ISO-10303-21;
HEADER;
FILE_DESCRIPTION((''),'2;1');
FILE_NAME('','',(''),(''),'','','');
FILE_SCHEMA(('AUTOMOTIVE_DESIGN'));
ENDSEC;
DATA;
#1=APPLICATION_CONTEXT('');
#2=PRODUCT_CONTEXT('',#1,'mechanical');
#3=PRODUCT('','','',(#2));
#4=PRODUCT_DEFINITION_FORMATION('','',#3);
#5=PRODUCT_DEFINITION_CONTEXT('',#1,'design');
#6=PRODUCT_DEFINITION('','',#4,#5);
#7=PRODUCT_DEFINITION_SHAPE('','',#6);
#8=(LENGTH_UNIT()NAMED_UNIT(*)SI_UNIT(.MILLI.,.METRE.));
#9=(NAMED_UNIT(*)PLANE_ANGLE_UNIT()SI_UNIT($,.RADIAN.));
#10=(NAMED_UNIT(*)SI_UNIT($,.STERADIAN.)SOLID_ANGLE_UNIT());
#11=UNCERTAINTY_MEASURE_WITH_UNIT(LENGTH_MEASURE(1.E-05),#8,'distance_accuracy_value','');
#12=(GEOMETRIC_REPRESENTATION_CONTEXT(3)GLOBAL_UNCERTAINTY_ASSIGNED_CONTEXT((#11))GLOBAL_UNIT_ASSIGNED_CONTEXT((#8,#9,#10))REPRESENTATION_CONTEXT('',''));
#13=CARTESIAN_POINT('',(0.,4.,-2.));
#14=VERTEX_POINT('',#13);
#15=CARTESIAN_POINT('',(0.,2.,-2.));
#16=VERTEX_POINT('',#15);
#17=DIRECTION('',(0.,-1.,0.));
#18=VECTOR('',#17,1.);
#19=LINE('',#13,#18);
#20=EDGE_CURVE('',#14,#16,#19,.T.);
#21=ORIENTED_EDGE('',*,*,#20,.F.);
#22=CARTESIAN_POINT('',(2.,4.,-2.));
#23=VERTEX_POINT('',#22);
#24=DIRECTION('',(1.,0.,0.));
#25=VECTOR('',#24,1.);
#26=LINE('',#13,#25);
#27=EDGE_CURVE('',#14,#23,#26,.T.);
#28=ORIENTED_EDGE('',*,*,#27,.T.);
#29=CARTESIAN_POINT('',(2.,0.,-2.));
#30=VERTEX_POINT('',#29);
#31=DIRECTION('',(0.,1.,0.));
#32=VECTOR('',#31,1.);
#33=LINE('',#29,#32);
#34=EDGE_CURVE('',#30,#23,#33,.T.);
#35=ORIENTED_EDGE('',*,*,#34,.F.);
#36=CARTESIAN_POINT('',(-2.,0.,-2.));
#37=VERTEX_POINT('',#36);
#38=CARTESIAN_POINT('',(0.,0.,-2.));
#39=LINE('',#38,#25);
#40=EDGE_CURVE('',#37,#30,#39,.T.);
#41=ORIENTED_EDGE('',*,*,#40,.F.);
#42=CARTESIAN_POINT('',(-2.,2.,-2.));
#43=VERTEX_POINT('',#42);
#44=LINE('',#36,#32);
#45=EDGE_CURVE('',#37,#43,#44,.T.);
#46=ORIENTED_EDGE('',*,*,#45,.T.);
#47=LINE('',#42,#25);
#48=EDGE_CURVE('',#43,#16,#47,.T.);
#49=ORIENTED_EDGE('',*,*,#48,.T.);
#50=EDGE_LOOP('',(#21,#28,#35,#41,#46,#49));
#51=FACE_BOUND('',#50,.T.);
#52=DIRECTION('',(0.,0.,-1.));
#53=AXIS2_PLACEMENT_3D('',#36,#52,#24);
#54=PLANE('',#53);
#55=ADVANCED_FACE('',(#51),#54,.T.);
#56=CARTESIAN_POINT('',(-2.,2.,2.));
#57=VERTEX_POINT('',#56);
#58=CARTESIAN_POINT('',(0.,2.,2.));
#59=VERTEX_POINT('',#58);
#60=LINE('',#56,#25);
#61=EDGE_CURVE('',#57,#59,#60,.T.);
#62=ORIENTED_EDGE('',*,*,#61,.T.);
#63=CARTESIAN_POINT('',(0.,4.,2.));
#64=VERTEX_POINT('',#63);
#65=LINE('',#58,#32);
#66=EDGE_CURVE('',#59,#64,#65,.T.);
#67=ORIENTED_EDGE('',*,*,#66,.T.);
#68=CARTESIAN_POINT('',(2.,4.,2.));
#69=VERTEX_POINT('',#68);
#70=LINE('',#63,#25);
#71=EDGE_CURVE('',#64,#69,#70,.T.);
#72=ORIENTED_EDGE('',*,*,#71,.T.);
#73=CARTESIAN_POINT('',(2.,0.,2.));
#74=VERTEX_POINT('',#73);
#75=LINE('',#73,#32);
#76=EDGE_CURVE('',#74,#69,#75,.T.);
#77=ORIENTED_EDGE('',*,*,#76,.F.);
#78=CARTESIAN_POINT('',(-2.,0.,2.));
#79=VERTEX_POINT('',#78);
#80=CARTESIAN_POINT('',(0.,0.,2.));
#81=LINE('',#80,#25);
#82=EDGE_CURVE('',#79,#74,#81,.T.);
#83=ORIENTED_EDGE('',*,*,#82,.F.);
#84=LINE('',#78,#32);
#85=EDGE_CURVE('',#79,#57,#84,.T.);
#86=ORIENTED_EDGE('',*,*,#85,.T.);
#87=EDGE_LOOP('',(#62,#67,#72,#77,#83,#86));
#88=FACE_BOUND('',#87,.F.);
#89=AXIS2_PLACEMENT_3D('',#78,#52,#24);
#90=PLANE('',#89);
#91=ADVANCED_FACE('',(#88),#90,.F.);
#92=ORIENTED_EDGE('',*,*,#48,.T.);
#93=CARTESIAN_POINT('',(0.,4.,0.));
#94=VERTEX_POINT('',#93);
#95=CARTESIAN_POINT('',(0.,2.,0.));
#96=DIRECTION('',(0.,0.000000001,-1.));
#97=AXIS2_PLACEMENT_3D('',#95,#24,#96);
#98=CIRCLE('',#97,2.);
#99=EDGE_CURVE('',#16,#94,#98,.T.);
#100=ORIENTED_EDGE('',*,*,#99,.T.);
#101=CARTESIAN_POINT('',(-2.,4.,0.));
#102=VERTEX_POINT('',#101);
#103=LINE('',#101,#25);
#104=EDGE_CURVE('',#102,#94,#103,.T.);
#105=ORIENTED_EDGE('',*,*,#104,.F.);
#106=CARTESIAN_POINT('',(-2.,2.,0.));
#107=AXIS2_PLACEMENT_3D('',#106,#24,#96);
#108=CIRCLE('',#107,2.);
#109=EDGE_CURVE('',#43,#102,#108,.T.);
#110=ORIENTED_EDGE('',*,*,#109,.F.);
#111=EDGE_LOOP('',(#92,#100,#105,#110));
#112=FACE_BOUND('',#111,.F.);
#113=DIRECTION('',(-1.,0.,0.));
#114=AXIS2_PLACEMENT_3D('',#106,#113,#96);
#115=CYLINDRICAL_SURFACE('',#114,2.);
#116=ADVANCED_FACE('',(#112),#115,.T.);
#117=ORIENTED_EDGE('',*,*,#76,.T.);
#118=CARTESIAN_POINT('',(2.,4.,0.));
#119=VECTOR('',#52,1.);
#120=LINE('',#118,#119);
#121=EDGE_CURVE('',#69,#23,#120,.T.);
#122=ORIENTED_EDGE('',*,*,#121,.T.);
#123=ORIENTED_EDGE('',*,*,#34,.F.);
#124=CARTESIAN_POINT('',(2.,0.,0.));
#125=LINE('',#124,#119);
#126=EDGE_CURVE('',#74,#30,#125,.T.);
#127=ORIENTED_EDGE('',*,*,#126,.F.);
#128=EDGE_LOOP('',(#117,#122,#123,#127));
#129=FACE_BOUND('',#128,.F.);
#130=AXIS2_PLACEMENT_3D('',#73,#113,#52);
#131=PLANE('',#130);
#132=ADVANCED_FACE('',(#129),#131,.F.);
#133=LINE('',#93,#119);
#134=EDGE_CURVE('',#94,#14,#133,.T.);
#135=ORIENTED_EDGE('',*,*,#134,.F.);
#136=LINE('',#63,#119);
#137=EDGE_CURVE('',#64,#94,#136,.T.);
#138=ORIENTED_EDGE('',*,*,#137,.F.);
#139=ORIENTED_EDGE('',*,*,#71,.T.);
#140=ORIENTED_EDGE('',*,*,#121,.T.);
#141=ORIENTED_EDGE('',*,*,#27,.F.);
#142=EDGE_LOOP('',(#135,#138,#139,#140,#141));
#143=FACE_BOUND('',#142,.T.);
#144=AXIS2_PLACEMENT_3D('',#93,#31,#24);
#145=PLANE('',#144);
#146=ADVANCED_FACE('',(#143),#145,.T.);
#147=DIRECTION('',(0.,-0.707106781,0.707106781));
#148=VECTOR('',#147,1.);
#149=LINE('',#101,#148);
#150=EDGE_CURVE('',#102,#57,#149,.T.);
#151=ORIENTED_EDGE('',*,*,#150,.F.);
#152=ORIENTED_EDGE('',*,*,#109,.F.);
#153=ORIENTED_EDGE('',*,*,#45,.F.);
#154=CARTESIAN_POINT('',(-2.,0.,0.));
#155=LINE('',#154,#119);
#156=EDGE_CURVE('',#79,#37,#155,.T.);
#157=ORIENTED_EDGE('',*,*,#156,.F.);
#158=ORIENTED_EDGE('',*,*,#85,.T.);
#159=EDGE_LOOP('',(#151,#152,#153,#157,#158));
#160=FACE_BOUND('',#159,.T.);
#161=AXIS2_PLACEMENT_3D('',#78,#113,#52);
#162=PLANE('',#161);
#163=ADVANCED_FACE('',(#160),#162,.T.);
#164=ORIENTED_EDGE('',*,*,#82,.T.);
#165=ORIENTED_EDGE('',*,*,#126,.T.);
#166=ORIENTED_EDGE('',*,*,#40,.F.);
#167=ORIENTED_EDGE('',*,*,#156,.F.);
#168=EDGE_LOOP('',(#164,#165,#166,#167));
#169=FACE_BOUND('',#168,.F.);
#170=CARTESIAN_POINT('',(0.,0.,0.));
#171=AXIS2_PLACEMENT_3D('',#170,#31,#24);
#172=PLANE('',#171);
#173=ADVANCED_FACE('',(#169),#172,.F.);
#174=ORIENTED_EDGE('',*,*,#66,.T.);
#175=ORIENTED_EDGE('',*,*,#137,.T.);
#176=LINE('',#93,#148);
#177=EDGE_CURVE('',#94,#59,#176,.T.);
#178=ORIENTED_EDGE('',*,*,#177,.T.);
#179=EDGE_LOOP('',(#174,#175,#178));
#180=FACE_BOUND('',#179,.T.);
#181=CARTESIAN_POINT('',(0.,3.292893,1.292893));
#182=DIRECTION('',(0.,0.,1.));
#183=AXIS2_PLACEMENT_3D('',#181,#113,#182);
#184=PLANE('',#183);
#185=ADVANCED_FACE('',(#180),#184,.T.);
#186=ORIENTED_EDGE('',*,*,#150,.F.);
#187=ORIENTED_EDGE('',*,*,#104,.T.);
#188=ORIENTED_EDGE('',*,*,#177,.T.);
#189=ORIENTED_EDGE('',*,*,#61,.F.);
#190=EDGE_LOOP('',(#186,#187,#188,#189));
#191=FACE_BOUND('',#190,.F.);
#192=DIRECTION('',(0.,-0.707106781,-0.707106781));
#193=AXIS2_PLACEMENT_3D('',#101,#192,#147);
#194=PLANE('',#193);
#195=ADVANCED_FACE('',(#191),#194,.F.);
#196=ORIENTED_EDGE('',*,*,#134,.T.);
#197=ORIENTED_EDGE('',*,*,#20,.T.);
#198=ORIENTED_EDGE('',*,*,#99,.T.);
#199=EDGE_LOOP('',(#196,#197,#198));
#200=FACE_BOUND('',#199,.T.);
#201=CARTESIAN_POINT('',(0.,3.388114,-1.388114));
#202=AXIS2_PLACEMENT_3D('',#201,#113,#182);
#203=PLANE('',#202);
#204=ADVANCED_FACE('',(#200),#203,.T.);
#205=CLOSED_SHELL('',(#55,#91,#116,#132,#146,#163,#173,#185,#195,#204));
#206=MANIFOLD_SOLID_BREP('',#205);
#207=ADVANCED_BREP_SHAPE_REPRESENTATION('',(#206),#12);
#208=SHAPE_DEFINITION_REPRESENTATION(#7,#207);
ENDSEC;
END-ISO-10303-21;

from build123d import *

# Parameters (mm, degrees)
SKETCH1_W           = 4
SKETCH1_H           = 4
BOSS_EXTRUDE1_DEPTH = 4
CUT_EXTRUDE1_DEPTH  = 2


with BuildPart() as part:
    # Sketch1 → Boss-Extrude1 (new body)
    with BuildSketch(Plane(origin=(0, 0, 0), x_dir=(1, 0, 0), z_dir=(0, 1, 0))):
        Rectangle(SKETCH1_W, SKETCH1_H)
    extrude(amount=BOSS_EXTRUDE1_DEPTH)

    # Sketch2 → Cut-Extrude1 (cut)
    with BuildSketch(Plane.ZY.offset(2)):
        Polygon((0, 4), (2, 2), (2, 4), align=None)
        with BuildLine():
            ThreePointArc((-2, 2), (-1.414213562, 3.414213562), (0, 4))
            Line((0, 4), (-2, 4))
            Line((-2, 4), (-2, 2))
        make_face()
    extrude(amount=-CUT_EXTRUDE1_DEPTH, mode=Mode.SUBTRACT)


solid = part.part
